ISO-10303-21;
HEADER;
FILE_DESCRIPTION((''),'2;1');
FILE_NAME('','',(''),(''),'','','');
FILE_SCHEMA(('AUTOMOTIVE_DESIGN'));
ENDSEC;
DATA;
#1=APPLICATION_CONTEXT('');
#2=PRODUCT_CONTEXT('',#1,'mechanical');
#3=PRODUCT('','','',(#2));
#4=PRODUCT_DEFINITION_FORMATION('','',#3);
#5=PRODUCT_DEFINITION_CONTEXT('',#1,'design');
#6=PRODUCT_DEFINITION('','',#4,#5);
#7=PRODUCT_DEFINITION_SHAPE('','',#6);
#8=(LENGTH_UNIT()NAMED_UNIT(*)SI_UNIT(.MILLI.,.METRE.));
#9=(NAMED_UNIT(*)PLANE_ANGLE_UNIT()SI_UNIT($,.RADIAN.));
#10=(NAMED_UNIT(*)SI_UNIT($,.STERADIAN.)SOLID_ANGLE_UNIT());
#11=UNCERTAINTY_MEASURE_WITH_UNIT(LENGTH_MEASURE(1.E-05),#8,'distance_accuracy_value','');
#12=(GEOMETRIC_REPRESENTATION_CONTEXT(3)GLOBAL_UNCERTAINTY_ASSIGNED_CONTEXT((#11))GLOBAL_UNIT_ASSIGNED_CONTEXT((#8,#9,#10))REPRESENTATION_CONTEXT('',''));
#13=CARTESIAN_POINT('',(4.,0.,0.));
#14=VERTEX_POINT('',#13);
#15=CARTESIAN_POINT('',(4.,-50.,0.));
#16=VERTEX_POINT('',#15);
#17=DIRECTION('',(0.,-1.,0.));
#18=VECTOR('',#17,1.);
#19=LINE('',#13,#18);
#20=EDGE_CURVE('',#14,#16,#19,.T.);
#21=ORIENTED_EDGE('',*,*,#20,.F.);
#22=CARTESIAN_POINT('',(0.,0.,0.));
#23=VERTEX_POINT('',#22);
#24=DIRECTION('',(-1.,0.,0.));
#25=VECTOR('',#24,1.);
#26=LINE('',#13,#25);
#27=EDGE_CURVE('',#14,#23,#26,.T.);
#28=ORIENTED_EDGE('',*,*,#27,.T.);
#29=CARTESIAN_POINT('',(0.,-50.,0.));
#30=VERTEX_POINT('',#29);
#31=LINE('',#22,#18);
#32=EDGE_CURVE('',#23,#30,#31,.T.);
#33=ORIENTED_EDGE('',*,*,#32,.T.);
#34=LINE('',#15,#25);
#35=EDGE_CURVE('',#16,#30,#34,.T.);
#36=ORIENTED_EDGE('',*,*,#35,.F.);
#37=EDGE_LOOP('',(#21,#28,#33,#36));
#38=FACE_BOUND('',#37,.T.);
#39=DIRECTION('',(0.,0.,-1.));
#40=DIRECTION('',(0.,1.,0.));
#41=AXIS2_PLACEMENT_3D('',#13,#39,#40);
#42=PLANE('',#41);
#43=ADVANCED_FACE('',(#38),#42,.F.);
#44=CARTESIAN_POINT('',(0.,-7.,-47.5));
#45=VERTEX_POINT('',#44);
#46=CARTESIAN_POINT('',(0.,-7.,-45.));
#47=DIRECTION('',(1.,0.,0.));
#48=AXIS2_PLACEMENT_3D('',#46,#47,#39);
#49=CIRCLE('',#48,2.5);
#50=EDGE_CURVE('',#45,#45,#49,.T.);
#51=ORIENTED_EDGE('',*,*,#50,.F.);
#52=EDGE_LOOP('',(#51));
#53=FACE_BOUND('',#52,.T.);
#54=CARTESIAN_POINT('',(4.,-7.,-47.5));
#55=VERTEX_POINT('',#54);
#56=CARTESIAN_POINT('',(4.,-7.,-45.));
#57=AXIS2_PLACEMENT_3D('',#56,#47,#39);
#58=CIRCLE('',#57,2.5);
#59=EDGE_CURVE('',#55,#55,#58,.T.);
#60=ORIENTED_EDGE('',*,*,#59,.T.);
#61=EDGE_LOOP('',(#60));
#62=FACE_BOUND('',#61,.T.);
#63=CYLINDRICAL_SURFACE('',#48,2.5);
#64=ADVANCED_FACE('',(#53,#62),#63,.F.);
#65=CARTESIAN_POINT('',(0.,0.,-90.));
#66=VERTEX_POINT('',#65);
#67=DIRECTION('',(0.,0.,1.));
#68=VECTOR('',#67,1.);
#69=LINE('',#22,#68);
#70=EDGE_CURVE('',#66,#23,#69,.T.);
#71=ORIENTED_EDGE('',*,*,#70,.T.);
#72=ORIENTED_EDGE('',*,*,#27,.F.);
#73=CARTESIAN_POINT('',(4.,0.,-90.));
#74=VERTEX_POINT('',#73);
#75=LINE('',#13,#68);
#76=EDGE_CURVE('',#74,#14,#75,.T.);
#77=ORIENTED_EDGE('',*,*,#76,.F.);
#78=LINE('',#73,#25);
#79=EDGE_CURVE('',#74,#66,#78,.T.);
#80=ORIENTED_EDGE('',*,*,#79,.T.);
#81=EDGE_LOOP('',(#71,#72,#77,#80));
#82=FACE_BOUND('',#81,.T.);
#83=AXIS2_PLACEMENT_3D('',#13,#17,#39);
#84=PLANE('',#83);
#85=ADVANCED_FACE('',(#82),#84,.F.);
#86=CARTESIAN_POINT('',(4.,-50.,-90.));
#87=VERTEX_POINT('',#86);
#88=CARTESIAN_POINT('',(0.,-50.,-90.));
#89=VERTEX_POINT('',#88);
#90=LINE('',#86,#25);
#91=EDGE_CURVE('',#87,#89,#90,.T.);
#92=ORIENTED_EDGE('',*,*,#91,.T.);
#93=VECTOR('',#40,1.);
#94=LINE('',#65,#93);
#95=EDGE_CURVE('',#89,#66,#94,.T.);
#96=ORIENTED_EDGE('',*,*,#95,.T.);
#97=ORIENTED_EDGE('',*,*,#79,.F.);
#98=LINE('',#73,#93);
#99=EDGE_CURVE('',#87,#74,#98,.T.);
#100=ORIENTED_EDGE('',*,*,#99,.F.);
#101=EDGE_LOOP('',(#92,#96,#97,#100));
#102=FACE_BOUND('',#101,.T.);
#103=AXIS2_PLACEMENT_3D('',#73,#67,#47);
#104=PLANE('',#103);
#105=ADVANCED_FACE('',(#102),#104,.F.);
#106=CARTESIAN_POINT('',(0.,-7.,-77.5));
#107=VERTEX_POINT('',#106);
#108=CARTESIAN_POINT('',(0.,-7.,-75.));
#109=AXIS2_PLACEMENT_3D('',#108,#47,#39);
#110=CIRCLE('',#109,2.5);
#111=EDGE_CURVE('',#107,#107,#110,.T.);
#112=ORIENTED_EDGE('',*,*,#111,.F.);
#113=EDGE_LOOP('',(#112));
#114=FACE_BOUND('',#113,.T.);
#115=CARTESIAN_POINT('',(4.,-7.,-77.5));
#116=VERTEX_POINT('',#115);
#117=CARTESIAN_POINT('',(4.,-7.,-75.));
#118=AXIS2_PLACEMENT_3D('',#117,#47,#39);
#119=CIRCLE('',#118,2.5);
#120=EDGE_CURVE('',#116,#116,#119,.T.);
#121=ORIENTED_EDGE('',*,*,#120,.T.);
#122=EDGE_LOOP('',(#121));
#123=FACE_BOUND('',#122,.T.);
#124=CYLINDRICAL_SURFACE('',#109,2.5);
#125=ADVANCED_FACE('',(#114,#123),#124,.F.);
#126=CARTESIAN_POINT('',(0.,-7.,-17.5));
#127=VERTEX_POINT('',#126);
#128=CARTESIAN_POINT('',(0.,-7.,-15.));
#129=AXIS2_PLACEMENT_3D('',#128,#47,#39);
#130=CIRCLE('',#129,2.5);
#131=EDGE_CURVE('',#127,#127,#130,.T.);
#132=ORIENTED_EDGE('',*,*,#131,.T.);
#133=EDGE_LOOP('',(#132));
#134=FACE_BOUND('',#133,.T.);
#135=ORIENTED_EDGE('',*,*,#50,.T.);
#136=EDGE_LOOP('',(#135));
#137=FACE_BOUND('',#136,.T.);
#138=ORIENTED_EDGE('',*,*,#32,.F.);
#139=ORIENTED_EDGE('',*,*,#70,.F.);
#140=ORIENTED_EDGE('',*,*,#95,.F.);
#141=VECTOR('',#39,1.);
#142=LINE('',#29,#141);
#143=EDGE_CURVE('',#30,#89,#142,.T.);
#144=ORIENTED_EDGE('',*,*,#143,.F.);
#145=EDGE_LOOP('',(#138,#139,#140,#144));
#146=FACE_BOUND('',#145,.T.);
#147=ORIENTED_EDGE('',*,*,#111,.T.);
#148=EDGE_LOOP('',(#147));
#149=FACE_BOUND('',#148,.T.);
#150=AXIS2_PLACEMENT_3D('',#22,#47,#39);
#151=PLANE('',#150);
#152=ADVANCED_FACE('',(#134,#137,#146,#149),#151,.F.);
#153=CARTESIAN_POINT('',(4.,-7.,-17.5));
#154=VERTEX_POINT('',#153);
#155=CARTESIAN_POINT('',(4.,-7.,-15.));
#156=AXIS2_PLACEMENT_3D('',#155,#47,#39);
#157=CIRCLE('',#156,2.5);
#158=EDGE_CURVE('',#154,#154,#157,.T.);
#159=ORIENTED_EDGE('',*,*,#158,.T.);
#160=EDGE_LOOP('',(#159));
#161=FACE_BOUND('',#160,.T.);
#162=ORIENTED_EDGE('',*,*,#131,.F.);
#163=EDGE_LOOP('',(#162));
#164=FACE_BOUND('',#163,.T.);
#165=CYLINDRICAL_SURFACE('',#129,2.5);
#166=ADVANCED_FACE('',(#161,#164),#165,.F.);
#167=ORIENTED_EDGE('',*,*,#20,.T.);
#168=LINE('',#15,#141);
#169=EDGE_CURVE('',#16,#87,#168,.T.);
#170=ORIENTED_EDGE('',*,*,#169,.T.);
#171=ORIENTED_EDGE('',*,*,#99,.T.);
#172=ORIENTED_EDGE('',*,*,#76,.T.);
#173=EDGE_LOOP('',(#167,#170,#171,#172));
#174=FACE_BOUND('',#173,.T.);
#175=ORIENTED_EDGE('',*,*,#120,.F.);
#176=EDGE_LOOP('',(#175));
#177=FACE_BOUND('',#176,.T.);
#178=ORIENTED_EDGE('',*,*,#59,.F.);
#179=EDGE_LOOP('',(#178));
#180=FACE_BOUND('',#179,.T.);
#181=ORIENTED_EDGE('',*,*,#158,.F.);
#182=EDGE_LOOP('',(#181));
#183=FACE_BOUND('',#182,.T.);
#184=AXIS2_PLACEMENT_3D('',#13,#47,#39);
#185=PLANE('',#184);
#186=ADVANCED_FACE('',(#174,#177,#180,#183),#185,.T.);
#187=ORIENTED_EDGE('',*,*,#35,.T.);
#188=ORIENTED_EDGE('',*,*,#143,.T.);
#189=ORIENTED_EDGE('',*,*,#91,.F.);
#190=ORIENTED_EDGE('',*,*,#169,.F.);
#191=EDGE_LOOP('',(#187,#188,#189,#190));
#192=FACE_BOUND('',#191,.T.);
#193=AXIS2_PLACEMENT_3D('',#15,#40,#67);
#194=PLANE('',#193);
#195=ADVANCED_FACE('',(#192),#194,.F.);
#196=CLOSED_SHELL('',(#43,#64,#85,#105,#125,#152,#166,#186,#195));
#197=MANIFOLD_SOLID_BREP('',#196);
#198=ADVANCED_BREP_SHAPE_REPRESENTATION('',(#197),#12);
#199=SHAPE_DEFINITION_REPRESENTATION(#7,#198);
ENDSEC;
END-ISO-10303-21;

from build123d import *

# Parameters (mm, degrees)
SKETCH1_W               = 90
SKETCH1_H               = 50
BOSS_EXTRUDE1_DEPTH     = 4
CUT_EXTRUDE1_DEPTH      = 104.033974979
CUT_EXTRUDE1_DEPTH_BACK = 104.033974979
SKETCH2_R               = 2.5


with BuildPart() as part:
    # Sketch1 → Boss-Extrude1 (new body)
    with BuildSketch(Plane(origin=(0, 0, 0), x_dir=(0, 0, -1), z_dir=(1, 0, 0))):
        with Locations((45, -25)):
            Rectangle(SKETCH1_W, SKETCH1_H)
    extrude(amount=BOSS_EXTRUDE1_DEPTH)

    # Sketch2 → Cut-Extrude1 (cut, two sides: drawn at the far end of the back side and taken through both)
    with BuildSketch(Plane(origin=(4, 0, 0), x_dir=(0, 0, -1), z_dir=(1, 0, 0)).offset(-CUT_EXTRUDE1_DEPTH_BACK)):
        with Locations((15, -7)):
            Circle(SKETCH2_R)
        with Locations((45, -7)):
            Circle(SKETCH2_R)
        with Locations((75, -7)):
            Circle(SKETCH2_R)
    extrude(amount=CUT_EXTRUDE1_DEPTH + CUT_EXTRUDE1_DEPTH_BACK, mode=Mode.SUBTRACT)


solid = part.part
